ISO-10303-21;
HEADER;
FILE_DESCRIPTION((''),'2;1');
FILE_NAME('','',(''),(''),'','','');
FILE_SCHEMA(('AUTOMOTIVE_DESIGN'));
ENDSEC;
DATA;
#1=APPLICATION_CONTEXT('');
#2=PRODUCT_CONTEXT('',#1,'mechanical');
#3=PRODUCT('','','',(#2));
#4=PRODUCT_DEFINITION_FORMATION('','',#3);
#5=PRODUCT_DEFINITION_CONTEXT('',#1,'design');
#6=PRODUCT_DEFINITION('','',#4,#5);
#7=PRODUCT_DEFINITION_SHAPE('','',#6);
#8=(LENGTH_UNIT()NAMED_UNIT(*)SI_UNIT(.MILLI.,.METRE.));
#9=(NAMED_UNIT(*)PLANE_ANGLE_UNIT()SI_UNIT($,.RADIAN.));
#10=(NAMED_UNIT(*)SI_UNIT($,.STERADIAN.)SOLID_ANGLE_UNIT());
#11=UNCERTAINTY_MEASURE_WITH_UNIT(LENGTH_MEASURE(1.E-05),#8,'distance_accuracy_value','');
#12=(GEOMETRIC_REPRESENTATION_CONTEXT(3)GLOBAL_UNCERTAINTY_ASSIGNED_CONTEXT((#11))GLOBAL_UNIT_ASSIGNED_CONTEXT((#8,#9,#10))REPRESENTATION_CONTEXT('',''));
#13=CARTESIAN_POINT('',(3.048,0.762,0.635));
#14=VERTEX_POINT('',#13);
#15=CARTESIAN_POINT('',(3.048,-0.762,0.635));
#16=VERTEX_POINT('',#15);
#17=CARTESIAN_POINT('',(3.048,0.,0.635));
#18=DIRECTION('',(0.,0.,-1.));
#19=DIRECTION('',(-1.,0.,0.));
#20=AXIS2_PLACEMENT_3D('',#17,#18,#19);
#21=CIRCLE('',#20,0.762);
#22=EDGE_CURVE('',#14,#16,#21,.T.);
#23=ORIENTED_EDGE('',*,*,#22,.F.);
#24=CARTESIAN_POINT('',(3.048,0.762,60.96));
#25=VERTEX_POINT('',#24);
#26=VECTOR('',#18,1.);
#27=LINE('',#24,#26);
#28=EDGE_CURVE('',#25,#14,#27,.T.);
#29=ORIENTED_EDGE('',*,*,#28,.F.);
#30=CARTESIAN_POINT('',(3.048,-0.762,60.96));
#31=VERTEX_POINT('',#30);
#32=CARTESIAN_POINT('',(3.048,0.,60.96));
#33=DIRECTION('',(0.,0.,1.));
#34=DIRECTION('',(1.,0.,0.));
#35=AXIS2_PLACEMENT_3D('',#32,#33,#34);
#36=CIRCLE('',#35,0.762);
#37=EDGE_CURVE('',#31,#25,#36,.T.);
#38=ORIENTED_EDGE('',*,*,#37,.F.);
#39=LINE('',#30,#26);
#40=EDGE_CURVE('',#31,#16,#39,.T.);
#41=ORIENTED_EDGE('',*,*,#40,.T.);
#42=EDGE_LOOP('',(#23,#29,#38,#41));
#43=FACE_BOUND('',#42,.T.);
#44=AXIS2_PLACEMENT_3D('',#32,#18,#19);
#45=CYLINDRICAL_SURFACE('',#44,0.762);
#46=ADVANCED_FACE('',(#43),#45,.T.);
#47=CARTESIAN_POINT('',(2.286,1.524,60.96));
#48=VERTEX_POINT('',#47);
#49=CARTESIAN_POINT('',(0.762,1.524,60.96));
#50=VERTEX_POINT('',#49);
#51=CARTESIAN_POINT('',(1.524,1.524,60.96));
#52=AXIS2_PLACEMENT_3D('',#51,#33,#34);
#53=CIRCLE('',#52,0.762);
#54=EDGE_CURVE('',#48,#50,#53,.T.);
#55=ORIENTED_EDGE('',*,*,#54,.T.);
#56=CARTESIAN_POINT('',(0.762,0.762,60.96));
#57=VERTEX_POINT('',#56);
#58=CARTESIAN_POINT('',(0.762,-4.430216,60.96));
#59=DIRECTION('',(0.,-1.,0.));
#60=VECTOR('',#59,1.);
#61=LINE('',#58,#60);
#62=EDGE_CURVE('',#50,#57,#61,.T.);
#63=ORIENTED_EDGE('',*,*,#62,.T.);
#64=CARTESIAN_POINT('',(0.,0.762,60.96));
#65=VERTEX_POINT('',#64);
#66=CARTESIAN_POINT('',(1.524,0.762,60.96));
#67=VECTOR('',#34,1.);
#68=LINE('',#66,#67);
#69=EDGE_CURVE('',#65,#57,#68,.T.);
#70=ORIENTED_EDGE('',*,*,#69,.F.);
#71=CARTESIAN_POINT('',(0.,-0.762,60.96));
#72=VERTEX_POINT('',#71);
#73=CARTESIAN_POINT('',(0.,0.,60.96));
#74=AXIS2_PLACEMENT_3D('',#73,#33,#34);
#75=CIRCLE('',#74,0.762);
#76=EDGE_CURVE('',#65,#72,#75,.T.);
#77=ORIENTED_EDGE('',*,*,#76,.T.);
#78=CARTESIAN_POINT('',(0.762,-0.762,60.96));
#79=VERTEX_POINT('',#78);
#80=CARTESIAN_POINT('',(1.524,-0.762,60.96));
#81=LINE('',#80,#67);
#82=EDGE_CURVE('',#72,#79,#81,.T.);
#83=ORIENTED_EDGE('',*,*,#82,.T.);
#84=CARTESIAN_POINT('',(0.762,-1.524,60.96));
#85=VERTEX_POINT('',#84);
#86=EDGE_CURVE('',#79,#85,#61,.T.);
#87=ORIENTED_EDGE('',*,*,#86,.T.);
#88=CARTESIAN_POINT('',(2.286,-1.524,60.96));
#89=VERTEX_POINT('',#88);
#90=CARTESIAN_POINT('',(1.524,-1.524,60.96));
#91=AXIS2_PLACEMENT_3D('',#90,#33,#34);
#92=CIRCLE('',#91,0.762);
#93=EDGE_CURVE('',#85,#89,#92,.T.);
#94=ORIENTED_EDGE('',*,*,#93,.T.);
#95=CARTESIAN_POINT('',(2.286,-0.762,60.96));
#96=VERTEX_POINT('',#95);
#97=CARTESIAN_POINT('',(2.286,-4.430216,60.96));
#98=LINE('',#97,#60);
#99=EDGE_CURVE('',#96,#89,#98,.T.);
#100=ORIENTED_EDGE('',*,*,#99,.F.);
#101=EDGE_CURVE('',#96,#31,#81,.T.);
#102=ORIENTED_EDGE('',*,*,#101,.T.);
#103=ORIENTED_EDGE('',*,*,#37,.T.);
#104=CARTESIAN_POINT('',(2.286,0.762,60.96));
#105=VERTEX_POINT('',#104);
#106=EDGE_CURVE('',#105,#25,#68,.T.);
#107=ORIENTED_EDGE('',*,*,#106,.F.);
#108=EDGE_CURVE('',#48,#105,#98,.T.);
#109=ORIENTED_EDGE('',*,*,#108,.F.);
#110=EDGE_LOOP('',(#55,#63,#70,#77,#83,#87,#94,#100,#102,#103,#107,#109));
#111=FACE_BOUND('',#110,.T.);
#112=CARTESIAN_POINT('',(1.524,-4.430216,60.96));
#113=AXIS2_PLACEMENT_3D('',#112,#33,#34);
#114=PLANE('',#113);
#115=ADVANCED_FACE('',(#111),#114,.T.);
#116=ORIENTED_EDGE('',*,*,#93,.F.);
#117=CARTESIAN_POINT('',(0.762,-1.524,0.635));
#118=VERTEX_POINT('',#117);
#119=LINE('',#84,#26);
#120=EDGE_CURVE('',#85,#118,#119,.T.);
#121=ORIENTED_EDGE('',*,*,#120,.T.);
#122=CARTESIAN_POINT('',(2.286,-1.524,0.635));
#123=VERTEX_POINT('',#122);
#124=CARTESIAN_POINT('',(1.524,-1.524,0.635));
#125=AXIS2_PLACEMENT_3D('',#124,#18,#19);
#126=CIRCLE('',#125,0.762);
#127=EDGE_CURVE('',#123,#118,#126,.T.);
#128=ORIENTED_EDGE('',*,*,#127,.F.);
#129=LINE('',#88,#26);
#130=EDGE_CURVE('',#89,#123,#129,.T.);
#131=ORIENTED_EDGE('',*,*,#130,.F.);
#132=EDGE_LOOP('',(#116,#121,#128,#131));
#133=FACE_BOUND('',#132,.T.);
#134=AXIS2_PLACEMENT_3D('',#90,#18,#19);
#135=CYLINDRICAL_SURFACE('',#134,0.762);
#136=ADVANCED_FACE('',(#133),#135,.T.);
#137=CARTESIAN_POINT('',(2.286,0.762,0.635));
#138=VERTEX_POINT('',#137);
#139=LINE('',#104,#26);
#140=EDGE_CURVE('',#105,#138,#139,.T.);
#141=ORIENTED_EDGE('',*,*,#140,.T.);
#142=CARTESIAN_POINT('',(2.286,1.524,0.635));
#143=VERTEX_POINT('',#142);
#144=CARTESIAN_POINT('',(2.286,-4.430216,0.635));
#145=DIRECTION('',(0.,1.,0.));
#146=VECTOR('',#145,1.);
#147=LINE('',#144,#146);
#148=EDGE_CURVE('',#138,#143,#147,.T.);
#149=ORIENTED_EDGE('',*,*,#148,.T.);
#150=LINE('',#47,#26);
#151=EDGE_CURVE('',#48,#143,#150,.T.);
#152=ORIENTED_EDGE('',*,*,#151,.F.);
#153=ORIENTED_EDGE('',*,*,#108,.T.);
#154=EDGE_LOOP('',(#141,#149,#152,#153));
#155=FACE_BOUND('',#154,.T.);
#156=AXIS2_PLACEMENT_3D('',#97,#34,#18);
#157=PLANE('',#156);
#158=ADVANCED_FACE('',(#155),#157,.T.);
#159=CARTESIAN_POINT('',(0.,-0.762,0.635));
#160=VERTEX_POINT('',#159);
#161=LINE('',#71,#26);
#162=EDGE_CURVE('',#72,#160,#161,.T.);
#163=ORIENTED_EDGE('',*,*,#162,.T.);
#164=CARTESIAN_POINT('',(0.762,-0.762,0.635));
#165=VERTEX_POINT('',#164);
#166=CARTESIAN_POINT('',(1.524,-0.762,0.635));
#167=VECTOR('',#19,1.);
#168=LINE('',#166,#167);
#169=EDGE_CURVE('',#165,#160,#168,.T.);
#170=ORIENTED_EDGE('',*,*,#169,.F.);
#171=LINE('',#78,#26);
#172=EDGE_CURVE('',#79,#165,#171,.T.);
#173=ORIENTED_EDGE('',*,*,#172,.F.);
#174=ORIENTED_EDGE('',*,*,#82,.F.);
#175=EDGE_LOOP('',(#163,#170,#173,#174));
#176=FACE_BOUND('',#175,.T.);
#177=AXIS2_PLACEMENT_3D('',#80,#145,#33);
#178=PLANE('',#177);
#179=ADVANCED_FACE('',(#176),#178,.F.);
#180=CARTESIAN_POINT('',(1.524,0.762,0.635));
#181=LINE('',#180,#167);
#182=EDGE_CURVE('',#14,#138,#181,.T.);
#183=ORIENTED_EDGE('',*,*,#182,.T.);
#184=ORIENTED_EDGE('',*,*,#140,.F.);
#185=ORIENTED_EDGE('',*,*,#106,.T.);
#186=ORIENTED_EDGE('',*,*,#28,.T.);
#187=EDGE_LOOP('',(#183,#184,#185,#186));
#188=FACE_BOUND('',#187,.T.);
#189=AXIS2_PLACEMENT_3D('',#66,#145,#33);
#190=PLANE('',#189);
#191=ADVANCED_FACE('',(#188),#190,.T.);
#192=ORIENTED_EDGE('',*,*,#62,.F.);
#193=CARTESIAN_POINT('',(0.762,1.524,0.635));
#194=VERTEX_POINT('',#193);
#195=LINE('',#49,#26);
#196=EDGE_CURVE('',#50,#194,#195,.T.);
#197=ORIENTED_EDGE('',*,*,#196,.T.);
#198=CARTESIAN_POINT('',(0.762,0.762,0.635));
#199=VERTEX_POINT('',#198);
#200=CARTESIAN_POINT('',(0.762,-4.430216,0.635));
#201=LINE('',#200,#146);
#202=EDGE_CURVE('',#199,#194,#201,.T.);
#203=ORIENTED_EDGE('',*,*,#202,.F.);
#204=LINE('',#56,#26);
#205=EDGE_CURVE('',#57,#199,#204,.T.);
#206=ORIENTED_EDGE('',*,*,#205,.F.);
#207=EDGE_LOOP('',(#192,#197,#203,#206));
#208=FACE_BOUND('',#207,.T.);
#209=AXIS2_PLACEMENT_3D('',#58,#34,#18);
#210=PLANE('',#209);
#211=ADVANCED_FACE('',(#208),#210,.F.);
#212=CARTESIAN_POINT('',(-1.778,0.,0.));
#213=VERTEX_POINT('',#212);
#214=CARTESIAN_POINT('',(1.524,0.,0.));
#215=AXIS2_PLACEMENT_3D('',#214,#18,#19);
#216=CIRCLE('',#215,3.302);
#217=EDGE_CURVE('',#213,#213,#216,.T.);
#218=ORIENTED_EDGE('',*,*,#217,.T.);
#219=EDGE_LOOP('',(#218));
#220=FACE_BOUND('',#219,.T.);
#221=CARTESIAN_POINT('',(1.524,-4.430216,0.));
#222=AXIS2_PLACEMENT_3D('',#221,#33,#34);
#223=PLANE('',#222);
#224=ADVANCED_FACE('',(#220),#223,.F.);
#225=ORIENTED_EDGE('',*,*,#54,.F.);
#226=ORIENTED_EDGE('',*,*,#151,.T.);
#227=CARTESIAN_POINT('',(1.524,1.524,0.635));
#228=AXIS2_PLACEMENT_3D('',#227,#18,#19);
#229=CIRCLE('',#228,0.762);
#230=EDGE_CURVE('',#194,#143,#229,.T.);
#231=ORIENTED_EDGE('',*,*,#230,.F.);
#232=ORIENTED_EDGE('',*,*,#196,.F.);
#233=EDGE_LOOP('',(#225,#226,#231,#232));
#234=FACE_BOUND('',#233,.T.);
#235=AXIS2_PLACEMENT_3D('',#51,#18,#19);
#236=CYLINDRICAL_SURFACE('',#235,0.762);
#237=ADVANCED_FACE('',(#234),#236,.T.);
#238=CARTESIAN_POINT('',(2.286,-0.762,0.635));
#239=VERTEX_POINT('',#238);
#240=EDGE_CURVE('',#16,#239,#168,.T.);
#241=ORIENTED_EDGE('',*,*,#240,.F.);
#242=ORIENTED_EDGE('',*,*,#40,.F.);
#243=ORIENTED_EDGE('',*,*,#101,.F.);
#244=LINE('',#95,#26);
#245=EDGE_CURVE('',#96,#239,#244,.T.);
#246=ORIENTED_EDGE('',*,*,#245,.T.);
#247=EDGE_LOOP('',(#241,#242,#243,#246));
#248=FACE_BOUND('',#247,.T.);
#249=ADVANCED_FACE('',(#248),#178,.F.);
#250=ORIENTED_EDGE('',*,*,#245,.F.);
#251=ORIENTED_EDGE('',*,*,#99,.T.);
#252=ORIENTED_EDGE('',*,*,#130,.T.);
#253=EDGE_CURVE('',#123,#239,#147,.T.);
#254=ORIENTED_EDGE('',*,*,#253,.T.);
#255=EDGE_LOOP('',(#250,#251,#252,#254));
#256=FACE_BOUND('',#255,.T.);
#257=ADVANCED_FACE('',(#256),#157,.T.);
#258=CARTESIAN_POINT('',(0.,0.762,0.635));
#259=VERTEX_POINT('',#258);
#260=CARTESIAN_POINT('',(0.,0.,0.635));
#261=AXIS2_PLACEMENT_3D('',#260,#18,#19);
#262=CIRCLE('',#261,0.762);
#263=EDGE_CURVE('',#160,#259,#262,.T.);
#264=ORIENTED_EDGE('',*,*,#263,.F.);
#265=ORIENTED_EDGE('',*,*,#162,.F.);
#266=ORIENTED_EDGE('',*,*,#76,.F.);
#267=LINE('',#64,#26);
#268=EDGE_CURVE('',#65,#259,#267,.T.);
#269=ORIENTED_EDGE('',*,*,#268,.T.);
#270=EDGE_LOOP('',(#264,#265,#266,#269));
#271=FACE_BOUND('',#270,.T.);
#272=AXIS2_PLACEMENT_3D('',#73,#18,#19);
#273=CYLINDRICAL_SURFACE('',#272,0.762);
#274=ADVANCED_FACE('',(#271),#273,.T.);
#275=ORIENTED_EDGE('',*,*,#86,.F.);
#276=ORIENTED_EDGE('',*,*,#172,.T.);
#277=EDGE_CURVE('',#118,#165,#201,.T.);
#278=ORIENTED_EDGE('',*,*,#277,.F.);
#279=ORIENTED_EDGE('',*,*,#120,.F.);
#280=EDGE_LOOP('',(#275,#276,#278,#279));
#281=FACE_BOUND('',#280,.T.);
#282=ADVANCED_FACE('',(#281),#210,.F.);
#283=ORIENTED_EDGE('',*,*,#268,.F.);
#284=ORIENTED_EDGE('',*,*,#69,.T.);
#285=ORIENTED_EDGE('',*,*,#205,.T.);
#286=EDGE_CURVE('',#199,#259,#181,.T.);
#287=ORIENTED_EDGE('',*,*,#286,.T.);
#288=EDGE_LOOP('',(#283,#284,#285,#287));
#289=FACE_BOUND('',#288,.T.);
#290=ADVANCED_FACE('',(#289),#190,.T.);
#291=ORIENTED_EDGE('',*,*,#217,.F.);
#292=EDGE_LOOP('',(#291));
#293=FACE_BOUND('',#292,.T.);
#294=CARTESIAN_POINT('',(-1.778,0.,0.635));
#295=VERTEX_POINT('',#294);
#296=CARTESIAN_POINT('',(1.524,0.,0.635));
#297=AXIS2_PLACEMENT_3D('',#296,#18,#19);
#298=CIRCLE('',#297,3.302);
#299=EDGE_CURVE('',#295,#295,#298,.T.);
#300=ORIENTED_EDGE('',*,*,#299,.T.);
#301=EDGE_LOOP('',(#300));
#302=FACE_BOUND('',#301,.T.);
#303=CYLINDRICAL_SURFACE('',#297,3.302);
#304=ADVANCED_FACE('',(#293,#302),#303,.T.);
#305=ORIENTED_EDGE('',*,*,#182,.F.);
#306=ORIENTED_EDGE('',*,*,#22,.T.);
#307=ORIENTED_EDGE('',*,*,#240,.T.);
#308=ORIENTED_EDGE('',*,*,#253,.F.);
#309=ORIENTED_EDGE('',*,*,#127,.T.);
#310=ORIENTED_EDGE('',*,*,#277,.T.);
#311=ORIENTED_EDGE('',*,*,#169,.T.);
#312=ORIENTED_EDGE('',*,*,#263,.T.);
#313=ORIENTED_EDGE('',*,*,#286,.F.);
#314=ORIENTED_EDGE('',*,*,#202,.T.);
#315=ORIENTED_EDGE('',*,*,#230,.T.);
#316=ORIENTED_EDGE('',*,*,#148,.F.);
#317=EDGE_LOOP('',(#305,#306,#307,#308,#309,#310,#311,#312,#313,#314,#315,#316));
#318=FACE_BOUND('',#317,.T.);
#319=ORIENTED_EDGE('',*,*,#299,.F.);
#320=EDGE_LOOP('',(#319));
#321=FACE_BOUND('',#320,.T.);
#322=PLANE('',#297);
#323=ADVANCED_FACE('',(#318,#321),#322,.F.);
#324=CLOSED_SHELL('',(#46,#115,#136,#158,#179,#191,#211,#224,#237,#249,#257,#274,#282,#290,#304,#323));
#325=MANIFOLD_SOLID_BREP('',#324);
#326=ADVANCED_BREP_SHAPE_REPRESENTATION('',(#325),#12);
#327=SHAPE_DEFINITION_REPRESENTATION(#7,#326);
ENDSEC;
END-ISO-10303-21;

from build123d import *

# Parameters (mm, degrees)
BOSS_EXTRUDE1_DEPTH = 60.96
SKETCH2_R           = 3.302
BOSS_EXTRUDE2_DEPTH = 0.635


with BuildPart() as part:
    # Sketch1 → Boss-Extrude1 (new body)
    with BuildSketch(Plane.XY):
        with BuildLine():
            Line((0.762, 0.762), (0, 0.762))
            ThreePointArc((0, 0.762), (-0.762, 0), (0, -0.762))
            Line((0, -0.762), (0.762, -0.762))
            Line((0.762, -0.762), (0.762, -1.524))
            ThreePointArc((0.762, -1.524), (1.524, -2.286), (2.286, -1.524))
            Line((2.286, -1.524), (2.286, -0.762))
            Line((2.286, -0.762), (3.048, -0.762))
            ThreePointArc((3.048, -0.762), (3.81, 0), (3.048, 0.762))
            Line((3.048, 0.762), (2.286, 0.762))
            Line((2.286, 0.762), (2.286, 1.524))
            ThreePointArc((2.286, 1.524), (1.524, 2.286), (0.762, 1.524))
            Line((0.762, 1.524), (0.762, 0.762))
        make_face()
    extrude(amount=BOSS_EXTRUDE1_DEPTH)

    # Sketch2 → Boss-Extrude2 (add)
    with BuildSketch(Plane(origin=(0, 0, 0), x_dir=(-1, 0, 0), z_dir=(0, 0, -1))):
        with Locations((-1.524, 0)):
            Circle(SKETCH2_R)
    extrude(amount=-BOSS_EXTRUDE2_DEPTH)


solid = part.part
